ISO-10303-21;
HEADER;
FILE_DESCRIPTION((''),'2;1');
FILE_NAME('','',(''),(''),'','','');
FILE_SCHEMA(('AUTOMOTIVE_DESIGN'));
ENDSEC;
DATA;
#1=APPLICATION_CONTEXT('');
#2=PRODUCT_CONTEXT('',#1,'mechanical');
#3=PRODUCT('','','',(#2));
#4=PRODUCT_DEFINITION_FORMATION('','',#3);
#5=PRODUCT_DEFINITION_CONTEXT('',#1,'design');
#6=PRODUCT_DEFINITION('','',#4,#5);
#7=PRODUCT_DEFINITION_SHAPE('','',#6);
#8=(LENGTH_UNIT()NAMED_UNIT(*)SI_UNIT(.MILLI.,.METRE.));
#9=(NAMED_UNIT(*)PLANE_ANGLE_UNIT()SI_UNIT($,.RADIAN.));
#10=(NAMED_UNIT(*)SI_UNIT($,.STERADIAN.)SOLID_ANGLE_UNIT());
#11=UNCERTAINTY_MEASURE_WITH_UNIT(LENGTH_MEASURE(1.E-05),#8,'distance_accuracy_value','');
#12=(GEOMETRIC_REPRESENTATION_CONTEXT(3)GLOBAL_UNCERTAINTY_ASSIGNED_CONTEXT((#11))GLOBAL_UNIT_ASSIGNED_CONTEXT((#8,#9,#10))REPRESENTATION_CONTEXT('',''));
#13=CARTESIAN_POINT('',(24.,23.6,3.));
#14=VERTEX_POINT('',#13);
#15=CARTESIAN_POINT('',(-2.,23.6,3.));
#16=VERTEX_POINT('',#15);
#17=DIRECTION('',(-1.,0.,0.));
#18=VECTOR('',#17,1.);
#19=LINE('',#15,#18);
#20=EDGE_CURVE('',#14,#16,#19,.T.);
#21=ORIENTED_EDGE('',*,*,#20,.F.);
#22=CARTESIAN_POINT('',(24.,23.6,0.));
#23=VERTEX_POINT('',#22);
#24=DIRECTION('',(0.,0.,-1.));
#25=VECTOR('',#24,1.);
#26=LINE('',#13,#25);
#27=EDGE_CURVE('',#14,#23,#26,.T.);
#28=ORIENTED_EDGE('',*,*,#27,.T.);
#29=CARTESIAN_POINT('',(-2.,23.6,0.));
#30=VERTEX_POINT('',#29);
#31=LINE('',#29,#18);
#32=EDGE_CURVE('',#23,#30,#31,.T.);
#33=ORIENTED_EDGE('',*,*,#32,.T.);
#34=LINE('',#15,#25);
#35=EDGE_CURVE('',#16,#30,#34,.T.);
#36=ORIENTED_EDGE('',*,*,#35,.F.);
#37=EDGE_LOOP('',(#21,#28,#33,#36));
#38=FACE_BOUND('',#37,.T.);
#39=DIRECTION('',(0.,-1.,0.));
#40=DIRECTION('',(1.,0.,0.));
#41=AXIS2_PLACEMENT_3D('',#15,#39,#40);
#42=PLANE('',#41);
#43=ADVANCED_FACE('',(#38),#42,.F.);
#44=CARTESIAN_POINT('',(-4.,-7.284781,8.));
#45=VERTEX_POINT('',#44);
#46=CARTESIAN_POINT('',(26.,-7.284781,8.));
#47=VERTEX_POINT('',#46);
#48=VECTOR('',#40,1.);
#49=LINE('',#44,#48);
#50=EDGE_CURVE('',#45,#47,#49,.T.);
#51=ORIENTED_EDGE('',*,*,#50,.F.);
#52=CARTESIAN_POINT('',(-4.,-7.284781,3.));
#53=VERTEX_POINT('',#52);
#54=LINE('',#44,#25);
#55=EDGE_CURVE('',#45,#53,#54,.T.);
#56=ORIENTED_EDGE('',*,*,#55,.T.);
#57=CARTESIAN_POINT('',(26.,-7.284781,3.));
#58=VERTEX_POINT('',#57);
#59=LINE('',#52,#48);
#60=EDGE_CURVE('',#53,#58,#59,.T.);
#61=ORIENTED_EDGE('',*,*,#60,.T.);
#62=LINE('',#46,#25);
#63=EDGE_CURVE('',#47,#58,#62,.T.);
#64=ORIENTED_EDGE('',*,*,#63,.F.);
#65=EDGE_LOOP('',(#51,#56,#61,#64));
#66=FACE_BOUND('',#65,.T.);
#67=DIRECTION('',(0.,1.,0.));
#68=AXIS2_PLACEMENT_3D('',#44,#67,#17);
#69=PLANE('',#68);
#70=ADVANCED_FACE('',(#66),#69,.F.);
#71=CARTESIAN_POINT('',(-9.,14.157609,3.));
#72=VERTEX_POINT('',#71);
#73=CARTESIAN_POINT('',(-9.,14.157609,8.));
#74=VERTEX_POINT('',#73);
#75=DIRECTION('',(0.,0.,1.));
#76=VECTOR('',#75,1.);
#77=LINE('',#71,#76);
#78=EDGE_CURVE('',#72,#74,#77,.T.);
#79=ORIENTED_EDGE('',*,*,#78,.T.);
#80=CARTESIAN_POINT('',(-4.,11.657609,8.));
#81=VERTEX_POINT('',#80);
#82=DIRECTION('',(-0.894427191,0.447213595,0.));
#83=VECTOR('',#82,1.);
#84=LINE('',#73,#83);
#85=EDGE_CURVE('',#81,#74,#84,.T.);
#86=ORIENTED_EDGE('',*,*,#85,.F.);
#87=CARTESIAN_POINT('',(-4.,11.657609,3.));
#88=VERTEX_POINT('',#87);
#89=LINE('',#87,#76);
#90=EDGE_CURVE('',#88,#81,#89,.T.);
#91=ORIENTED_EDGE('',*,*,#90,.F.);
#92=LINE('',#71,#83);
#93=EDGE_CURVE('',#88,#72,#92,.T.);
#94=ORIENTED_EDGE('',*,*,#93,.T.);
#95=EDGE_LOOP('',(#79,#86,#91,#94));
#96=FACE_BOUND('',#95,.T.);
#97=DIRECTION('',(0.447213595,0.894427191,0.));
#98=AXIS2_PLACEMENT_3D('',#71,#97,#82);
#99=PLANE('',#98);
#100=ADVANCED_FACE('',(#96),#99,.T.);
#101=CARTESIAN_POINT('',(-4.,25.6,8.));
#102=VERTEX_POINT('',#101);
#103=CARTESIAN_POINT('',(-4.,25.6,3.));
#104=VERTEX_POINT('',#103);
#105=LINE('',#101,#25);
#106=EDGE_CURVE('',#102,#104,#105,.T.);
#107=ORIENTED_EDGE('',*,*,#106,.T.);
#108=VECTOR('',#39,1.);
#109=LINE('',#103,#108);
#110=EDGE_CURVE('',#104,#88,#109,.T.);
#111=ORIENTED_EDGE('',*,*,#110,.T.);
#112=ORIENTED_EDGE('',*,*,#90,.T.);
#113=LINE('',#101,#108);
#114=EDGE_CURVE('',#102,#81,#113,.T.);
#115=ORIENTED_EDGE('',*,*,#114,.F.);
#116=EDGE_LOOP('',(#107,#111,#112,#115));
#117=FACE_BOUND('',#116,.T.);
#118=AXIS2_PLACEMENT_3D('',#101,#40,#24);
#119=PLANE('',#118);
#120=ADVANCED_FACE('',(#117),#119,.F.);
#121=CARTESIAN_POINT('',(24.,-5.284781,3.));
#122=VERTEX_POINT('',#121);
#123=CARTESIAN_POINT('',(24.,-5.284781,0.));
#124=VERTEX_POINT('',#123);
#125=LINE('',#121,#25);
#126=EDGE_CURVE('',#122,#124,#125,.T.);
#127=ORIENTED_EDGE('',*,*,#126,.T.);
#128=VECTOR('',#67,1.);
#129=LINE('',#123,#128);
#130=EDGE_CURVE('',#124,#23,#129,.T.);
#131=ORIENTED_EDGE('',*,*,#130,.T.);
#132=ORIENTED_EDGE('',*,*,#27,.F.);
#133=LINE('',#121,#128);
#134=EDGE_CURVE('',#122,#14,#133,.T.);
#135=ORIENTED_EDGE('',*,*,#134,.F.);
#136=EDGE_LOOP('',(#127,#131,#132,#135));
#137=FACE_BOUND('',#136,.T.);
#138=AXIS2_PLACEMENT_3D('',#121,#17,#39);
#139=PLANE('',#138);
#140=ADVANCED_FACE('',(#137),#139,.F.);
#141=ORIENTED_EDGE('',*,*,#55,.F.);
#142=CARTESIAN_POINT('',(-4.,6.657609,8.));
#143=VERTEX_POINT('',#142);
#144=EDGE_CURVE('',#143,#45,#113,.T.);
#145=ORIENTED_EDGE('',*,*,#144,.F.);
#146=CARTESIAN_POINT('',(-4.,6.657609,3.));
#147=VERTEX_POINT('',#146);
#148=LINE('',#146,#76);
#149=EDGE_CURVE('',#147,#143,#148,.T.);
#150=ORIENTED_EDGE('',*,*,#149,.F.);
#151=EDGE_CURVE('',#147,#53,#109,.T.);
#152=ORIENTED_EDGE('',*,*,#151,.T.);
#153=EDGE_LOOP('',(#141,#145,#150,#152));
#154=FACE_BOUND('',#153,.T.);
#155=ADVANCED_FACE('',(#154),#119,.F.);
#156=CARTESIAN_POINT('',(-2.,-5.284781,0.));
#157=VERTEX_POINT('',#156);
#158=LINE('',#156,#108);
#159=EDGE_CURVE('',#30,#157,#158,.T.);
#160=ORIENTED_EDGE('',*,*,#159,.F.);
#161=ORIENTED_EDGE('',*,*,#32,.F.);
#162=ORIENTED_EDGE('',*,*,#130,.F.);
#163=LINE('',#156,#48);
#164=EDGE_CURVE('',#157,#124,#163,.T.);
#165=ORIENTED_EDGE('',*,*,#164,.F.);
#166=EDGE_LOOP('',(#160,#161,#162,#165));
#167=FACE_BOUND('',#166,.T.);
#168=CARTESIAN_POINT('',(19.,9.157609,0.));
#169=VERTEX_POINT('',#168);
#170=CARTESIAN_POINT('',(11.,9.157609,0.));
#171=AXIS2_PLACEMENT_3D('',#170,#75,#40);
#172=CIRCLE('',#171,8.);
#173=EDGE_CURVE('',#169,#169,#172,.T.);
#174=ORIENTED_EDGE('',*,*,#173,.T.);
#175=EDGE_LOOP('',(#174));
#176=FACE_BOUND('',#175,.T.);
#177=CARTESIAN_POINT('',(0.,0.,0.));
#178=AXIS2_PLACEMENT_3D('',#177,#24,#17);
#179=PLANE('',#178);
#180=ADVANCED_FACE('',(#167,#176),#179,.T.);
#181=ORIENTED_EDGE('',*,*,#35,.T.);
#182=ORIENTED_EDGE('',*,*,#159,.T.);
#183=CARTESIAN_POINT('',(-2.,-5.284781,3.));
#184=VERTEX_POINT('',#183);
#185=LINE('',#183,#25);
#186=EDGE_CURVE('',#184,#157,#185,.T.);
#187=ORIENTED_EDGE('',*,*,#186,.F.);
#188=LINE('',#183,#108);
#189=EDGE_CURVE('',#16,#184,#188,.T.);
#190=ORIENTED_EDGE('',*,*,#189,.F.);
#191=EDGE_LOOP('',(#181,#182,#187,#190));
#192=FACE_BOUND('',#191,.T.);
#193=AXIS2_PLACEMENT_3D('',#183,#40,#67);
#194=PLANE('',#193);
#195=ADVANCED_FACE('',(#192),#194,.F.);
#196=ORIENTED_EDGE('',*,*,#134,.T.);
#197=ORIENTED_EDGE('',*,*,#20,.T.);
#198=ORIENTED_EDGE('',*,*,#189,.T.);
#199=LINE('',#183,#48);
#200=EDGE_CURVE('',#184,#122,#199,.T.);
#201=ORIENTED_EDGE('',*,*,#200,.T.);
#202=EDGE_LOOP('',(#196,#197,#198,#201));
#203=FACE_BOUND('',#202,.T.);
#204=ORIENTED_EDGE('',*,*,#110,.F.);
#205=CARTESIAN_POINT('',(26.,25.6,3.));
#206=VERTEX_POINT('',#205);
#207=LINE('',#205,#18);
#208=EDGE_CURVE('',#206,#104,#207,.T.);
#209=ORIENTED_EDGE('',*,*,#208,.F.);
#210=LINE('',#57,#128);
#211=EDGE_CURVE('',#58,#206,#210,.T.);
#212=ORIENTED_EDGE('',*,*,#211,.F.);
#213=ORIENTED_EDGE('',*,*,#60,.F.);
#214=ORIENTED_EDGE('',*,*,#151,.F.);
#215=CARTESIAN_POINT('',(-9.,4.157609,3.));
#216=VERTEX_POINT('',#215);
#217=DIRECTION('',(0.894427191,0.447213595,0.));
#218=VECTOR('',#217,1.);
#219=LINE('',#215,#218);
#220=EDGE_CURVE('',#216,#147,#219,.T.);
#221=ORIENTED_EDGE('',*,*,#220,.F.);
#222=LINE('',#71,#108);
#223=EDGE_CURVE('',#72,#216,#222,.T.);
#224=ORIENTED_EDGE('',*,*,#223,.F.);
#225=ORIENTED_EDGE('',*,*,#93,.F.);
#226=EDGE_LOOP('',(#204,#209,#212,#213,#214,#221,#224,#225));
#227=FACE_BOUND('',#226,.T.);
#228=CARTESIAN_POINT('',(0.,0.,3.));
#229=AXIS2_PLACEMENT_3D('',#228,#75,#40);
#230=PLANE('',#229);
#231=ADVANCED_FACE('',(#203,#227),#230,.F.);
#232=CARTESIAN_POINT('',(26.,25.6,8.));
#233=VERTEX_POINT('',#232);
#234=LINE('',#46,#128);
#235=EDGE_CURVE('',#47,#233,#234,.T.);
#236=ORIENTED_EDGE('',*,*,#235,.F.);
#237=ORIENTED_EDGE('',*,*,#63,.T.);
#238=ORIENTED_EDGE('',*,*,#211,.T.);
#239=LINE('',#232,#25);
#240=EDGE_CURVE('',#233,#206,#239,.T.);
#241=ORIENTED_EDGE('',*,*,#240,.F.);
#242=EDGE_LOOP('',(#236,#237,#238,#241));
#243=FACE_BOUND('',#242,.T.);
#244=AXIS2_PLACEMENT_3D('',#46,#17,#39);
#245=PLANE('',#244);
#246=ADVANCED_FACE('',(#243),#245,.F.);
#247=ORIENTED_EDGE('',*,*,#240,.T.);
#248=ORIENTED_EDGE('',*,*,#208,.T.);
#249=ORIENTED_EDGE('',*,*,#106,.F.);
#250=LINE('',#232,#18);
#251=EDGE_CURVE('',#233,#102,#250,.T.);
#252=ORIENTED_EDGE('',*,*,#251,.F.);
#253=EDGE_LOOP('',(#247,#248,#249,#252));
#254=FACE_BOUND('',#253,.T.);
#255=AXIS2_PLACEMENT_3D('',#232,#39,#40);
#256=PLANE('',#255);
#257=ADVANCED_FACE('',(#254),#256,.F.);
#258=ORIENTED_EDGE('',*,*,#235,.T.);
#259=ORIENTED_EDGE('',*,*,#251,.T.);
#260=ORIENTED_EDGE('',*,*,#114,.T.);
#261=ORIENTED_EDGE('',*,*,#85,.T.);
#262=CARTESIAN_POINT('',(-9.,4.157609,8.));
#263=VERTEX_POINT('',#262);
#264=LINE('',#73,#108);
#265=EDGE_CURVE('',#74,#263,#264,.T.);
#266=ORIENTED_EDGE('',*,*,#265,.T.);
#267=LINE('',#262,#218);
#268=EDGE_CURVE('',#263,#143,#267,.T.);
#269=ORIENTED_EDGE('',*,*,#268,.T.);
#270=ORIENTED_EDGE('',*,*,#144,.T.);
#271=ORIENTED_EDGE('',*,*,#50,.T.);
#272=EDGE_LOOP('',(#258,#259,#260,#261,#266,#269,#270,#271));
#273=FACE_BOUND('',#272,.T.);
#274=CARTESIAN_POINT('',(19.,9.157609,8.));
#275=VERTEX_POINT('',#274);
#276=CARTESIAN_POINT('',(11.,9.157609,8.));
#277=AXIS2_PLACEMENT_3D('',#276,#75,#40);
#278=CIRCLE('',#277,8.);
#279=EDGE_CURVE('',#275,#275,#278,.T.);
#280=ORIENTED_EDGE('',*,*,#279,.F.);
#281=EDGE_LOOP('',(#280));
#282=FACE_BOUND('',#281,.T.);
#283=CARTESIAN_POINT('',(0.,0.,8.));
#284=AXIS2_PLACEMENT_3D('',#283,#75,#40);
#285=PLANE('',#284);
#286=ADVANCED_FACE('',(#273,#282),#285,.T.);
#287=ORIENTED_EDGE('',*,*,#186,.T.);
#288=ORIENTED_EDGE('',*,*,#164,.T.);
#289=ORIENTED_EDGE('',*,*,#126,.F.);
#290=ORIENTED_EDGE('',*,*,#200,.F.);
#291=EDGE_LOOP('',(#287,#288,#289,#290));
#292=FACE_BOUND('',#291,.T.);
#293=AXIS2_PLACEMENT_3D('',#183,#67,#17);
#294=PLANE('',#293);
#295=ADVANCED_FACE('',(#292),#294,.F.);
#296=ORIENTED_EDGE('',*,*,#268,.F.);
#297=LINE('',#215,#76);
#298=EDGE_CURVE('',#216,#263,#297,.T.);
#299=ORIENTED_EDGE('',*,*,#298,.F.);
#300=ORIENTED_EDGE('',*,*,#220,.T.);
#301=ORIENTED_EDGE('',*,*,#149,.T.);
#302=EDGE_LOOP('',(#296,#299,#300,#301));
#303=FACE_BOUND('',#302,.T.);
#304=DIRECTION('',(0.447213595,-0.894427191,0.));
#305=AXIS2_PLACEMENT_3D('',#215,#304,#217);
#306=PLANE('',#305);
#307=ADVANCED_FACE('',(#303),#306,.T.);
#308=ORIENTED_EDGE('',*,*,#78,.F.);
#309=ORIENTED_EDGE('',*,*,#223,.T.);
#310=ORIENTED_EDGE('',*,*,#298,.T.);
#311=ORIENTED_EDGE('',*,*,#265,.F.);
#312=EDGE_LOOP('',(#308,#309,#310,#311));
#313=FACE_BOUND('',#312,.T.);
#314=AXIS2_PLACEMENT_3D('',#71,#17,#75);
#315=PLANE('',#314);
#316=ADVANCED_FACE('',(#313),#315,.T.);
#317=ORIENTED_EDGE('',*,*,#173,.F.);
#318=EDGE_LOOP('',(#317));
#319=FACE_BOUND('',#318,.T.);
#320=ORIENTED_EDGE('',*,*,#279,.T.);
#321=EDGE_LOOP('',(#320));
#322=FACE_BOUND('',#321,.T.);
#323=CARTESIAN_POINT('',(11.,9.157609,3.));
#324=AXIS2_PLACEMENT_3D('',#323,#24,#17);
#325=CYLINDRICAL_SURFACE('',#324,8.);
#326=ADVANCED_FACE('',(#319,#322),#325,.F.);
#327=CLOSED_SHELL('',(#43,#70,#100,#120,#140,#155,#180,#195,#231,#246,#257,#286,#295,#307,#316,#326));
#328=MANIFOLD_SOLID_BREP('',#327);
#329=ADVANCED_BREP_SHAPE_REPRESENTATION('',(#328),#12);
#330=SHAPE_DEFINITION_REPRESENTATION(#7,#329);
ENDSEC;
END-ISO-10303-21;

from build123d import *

# Parameters (mm, degrees)
CROQUIS1_W              = 26
CROQUIS1_H              = 28.884781413
CROQUIS1_R              = 8
SALIENTE_EXTRUIR1_DEPTH = 3
CROQUIS2_W              = 30
CROQUIS2_H              = 32.884781413
SALIENTE_EXTRUIR2_DEPTH = 5
SALIENTE_EXTRUIR3_DEPTH = 5
CROQUIS5_R              = 8
CORTAR_EXTRUIR1_DEPTH   = 10


with BuildPart() as part:
    # Croquis1 → Saliente-Extruir1 (new body)
    with BuildSketch(Plane.XY):
        with Locations((11, 9.157609294)):
            Rectangle(CROQUIS1_W, CROQUIS1_H)
        with Locations((11, 9.157609293)):
            Circle(CROQUIS1_R, mode=Mode.SUBTRACT)
    extrude(amount=SALIENTE_EXTRUIR1_DEPTH)

    # Croquis2 → Saliente-Extruir2 (add)
    with BuildSketch(Plane.XY.offset(3)):
        with Locations((11, 9.157609294)):
            Rectangle(CROQUIS2_W, CROQUIS2_H)
    extrude(amount=SALIENTE_EXTRUIR2_DEPTH)

    # Croquis4 → Saliente-Extruir3 (add)
    with BuildSketch(Plane.XY.offset(8)):
        Polygon((-9, 14.157609293), (-9, 4.157609293), (-4, 6.657609293), (-4, 11.657609293), align=None)
    extrude(amount=-SALIENTE_EXTRUIR3_DEPTH)

    # Croquis5 → Cortar-Extruir1 (cut)
    with BuildSketch(Plane(origin=(0, 0, 3), x_dir=(-1, 0, 0), z_dir=(0, 0, -1))):
        with Locations((-11, 9.157609293)):
            Circle(CROQUIS5_R)
    extrude(amount=-CORTAR_EXTRUIR1_DEPTH, mode=Mode.SUBTRACT)


solid = part.part
